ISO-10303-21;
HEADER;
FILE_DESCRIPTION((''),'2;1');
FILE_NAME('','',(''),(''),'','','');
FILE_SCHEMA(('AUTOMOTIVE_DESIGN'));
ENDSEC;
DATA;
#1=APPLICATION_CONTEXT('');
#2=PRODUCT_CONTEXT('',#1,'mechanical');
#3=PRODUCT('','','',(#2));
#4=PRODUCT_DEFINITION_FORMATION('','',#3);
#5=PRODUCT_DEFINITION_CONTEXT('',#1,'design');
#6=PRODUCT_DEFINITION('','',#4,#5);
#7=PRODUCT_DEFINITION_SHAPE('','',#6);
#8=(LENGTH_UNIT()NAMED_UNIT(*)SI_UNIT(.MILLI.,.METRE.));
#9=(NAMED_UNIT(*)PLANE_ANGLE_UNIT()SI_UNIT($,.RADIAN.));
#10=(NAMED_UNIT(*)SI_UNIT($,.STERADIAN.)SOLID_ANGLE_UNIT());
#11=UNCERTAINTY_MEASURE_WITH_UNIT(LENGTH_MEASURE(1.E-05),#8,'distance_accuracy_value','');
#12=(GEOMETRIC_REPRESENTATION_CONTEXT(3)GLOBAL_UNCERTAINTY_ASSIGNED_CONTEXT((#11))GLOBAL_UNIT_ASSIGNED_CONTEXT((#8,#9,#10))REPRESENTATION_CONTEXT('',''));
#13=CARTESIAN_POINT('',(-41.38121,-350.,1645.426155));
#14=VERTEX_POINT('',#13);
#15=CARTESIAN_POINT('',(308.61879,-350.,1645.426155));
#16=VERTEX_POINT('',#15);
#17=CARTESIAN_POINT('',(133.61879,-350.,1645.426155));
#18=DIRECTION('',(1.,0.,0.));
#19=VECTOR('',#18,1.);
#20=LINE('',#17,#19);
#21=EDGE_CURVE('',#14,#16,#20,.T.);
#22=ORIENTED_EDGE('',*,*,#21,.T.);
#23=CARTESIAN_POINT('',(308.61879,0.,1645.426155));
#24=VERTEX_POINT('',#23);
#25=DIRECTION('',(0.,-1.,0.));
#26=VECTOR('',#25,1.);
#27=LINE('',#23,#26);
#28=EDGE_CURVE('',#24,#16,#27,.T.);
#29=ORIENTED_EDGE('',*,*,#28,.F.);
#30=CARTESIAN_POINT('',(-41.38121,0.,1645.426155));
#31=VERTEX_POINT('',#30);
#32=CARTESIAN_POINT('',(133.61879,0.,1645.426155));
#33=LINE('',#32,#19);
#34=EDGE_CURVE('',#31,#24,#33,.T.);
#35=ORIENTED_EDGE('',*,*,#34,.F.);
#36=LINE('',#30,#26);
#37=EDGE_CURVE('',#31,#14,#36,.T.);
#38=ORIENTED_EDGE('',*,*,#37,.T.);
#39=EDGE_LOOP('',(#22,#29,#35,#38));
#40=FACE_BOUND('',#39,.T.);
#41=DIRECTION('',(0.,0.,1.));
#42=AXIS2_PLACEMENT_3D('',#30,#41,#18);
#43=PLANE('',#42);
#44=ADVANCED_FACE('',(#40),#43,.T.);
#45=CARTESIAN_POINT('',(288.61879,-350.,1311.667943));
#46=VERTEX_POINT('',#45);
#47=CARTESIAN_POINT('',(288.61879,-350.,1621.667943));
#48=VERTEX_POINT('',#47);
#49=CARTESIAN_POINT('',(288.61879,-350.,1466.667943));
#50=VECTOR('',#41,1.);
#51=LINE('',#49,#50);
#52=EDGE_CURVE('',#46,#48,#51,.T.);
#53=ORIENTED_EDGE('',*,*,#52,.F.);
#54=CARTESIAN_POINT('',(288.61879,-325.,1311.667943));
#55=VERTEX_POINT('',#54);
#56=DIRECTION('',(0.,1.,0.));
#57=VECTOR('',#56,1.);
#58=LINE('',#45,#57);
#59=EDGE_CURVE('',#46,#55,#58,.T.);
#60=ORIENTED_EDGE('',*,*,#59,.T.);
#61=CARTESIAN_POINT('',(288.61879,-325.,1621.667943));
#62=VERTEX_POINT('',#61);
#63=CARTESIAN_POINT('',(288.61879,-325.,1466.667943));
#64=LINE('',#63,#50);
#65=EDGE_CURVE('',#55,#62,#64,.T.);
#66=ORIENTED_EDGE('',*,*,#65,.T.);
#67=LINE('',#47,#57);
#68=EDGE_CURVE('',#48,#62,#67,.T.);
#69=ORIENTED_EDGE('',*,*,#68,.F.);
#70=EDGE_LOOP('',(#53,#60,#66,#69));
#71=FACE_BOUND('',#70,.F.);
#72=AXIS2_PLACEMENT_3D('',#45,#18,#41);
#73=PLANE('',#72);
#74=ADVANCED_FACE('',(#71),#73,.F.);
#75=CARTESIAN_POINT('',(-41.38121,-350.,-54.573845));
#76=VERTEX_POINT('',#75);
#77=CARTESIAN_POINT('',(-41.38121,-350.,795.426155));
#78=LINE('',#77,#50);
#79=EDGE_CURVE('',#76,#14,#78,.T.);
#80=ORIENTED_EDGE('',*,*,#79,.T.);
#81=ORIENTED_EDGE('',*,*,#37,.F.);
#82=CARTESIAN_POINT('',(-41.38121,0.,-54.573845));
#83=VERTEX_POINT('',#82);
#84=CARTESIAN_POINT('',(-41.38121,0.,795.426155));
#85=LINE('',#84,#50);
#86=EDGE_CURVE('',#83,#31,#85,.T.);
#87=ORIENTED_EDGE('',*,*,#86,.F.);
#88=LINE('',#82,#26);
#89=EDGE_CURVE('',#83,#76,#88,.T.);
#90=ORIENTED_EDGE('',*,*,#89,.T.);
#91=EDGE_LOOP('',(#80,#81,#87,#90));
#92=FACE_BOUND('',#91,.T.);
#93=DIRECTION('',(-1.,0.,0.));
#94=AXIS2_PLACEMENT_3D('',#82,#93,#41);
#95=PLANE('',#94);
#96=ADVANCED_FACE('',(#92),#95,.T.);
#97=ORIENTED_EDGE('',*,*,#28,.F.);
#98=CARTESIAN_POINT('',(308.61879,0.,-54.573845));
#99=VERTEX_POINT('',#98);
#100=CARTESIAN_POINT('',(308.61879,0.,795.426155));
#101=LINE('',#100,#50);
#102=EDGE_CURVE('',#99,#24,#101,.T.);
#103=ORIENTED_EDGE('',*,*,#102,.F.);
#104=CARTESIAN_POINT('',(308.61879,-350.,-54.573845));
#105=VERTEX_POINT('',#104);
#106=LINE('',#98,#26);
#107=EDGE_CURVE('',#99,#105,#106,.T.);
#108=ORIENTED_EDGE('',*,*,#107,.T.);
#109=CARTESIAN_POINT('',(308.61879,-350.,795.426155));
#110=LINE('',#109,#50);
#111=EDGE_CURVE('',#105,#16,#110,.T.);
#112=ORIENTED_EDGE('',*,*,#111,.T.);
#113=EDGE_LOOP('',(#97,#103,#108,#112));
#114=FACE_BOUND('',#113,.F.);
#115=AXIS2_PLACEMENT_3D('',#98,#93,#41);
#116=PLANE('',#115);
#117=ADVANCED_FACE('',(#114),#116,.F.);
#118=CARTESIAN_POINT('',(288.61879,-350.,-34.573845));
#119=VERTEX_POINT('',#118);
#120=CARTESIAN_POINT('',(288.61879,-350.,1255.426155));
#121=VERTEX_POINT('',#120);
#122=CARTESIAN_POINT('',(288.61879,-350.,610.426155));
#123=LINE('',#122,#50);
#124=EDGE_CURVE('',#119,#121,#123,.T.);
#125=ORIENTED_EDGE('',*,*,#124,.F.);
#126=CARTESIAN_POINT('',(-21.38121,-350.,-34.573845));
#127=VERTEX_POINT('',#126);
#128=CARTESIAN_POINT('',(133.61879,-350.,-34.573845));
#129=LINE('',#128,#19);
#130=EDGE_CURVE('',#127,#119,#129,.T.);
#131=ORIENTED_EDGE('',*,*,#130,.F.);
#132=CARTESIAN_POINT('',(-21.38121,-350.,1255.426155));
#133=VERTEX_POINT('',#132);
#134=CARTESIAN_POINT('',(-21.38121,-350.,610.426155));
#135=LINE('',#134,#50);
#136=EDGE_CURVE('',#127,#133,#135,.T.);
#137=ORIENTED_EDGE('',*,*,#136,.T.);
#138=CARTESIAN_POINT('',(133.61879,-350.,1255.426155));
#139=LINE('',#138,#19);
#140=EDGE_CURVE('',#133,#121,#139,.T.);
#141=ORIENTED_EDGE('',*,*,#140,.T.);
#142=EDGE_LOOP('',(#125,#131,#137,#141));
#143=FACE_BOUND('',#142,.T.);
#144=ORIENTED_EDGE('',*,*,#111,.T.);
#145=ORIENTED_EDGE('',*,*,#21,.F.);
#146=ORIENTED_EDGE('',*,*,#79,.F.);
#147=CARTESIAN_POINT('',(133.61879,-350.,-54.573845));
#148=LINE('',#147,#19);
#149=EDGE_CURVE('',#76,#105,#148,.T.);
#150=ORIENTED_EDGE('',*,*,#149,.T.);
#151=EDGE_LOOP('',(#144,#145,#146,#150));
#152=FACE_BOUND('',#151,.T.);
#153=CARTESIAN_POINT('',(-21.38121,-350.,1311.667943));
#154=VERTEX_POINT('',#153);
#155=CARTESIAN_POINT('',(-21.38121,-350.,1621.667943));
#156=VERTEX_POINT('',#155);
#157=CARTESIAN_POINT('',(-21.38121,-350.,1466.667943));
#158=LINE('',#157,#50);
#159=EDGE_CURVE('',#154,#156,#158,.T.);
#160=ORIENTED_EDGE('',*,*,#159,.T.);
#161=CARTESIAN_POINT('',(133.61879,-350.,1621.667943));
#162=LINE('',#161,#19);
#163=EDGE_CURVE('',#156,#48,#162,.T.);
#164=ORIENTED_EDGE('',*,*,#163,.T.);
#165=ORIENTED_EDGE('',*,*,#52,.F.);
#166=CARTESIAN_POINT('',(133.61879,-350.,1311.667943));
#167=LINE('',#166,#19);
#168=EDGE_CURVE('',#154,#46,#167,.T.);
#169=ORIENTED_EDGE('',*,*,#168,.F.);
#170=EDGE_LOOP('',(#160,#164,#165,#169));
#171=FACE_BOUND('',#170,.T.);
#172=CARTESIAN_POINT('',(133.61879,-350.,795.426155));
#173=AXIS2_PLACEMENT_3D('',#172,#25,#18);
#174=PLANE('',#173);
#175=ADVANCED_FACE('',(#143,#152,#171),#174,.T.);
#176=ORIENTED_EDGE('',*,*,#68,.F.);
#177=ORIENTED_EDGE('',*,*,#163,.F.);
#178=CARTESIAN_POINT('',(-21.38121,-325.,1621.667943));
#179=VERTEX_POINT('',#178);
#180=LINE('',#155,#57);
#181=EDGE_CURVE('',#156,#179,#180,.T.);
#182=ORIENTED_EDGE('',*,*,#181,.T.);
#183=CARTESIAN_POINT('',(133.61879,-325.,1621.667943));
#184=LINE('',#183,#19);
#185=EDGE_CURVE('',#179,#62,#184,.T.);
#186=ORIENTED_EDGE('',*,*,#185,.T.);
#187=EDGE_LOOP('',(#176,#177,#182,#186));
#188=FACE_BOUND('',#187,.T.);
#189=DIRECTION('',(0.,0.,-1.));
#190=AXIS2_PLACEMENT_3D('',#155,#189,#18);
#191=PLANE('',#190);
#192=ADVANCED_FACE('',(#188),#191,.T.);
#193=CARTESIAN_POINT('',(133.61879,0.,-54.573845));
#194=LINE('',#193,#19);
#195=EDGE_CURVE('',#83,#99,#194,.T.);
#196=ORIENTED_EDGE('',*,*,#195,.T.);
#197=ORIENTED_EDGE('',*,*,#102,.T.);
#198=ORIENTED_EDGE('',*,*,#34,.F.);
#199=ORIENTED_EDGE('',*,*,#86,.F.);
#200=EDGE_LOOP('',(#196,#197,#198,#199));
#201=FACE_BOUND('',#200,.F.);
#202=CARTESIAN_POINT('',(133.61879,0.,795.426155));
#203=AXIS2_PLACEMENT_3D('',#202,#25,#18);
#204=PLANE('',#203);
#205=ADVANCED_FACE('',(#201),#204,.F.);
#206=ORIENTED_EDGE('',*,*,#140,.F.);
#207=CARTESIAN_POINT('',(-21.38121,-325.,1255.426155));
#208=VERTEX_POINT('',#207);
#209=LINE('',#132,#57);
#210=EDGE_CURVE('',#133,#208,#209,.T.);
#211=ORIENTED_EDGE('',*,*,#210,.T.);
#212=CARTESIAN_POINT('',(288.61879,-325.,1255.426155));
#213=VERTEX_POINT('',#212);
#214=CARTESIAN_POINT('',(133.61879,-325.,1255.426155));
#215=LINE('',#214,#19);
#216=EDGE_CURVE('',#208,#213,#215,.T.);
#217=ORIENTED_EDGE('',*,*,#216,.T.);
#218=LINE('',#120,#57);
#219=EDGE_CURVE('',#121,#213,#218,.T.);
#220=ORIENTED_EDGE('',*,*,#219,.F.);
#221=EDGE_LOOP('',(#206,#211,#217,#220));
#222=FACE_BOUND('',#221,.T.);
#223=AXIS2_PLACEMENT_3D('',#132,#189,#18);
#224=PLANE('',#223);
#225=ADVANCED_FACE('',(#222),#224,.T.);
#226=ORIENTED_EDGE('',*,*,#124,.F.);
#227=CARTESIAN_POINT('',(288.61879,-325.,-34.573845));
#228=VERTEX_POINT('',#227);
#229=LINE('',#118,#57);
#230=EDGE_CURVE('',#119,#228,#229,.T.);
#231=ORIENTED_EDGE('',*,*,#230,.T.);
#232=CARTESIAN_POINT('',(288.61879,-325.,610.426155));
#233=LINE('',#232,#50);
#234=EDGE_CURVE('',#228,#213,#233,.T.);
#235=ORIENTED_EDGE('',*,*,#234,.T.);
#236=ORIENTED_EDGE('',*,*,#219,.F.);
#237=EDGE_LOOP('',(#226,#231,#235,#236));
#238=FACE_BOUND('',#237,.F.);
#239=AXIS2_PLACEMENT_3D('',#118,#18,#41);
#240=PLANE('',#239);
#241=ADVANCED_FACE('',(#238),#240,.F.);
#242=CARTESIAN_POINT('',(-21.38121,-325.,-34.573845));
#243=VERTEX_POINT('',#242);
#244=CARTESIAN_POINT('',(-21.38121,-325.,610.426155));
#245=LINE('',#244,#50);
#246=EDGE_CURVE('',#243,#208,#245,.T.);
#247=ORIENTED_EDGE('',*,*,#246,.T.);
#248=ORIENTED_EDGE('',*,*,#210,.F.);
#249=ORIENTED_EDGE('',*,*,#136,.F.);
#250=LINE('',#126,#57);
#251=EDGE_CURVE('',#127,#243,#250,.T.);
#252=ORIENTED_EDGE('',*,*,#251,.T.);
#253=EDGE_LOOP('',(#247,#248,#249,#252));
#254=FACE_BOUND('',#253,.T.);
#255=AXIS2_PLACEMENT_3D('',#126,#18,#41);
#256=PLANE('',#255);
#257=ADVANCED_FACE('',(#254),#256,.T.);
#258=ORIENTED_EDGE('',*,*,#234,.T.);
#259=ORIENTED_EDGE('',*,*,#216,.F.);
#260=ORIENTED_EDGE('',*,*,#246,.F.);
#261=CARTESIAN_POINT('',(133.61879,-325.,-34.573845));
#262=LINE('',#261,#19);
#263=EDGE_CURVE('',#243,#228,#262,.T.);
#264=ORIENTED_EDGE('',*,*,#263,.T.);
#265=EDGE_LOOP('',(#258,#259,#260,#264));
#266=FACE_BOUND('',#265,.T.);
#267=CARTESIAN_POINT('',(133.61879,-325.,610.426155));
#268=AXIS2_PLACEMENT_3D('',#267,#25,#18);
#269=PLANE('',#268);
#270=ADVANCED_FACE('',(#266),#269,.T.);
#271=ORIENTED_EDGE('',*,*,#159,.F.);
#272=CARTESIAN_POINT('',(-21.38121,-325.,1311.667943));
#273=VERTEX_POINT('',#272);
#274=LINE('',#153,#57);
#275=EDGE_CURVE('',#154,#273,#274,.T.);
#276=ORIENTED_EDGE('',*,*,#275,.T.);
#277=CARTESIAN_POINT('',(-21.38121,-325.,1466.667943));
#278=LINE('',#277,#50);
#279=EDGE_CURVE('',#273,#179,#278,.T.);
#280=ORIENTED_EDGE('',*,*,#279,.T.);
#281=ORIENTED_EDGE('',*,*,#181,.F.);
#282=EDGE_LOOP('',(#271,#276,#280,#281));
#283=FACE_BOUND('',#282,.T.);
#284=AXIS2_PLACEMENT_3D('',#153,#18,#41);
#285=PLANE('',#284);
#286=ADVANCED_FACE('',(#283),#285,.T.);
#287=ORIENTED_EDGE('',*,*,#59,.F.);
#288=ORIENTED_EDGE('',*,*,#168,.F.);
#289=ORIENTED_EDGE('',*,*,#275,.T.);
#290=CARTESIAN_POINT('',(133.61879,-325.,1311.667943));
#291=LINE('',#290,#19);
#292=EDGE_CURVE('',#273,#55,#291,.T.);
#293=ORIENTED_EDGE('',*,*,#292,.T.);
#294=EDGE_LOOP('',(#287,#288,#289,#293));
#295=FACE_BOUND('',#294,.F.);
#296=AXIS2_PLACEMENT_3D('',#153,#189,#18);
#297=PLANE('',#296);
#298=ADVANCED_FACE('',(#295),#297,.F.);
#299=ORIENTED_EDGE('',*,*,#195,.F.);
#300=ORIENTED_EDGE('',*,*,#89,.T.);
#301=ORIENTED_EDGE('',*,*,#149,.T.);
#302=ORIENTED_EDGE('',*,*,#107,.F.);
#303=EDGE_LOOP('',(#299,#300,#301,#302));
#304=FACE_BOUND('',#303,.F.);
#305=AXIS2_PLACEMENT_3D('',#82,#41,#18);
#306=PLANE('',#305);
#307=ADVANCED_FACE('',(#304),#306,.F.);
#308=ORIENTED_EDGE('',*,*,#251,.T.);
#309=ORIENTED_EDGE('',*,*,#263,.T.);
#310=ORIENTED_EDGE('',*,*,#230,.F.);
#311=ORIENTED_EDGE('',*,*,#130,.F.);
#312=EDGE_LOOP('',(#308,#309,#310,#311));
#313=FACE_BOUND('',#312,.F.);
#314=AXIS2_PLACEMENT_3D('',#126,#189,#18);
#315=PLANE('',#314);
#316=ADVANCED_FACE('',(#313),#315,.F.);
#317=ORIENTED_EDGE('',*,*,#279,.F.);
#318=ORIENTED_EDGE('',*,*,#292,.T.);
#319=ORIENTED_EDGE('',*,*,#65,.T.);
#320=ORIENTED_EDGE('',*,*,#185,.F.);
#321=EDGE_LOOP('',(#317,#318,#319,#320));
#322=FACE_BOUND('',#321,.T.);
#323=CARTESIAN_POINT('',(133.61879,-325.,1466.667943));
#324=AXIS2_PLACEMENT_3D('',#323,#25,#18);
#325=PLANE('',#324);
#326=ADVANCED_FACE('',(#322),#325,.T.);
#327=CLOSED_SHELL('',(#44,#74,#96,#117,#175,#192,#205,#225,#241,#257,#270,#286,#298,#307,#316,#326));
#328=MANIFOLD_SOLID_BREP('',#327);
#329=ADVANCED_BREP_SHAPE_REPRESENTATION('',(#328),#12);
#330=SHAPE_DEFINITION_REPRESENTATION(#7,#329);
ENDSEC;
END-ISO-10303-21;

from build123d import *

# Parameters (mm, degrees)
F0_W     = 350
F0_H     = 1700
F1_DEPTH = 350
F2_W     = 310
F2_H     = 1290
F2_H_2   = 310
F3_DEPTH = 25


with BuildPart() as f1:
    # F0 (on Front) → F1 (new body)
    with BuildSketch(Plane.XZ):
        with Locations((133.61879, 795.426155)):
            Rectangle(F0_W, F0_H)
    extrude(amount=F1_DEPTH)

    # F2 (on face) → F3 (cut)
    with BuildSketch(Plane.XZ.offset(350)):
        with Locations((133.61879, 610.426155)):
            Rectangle(F2_W, F2_H)
        with Locations((133.61879, 1466.667943)):
            Rectangle(F2_W, F2_H_2)
    extrude(amount=-F3_DEPTH, mode=Mode.SUBTRACT)


solid = f1.part
